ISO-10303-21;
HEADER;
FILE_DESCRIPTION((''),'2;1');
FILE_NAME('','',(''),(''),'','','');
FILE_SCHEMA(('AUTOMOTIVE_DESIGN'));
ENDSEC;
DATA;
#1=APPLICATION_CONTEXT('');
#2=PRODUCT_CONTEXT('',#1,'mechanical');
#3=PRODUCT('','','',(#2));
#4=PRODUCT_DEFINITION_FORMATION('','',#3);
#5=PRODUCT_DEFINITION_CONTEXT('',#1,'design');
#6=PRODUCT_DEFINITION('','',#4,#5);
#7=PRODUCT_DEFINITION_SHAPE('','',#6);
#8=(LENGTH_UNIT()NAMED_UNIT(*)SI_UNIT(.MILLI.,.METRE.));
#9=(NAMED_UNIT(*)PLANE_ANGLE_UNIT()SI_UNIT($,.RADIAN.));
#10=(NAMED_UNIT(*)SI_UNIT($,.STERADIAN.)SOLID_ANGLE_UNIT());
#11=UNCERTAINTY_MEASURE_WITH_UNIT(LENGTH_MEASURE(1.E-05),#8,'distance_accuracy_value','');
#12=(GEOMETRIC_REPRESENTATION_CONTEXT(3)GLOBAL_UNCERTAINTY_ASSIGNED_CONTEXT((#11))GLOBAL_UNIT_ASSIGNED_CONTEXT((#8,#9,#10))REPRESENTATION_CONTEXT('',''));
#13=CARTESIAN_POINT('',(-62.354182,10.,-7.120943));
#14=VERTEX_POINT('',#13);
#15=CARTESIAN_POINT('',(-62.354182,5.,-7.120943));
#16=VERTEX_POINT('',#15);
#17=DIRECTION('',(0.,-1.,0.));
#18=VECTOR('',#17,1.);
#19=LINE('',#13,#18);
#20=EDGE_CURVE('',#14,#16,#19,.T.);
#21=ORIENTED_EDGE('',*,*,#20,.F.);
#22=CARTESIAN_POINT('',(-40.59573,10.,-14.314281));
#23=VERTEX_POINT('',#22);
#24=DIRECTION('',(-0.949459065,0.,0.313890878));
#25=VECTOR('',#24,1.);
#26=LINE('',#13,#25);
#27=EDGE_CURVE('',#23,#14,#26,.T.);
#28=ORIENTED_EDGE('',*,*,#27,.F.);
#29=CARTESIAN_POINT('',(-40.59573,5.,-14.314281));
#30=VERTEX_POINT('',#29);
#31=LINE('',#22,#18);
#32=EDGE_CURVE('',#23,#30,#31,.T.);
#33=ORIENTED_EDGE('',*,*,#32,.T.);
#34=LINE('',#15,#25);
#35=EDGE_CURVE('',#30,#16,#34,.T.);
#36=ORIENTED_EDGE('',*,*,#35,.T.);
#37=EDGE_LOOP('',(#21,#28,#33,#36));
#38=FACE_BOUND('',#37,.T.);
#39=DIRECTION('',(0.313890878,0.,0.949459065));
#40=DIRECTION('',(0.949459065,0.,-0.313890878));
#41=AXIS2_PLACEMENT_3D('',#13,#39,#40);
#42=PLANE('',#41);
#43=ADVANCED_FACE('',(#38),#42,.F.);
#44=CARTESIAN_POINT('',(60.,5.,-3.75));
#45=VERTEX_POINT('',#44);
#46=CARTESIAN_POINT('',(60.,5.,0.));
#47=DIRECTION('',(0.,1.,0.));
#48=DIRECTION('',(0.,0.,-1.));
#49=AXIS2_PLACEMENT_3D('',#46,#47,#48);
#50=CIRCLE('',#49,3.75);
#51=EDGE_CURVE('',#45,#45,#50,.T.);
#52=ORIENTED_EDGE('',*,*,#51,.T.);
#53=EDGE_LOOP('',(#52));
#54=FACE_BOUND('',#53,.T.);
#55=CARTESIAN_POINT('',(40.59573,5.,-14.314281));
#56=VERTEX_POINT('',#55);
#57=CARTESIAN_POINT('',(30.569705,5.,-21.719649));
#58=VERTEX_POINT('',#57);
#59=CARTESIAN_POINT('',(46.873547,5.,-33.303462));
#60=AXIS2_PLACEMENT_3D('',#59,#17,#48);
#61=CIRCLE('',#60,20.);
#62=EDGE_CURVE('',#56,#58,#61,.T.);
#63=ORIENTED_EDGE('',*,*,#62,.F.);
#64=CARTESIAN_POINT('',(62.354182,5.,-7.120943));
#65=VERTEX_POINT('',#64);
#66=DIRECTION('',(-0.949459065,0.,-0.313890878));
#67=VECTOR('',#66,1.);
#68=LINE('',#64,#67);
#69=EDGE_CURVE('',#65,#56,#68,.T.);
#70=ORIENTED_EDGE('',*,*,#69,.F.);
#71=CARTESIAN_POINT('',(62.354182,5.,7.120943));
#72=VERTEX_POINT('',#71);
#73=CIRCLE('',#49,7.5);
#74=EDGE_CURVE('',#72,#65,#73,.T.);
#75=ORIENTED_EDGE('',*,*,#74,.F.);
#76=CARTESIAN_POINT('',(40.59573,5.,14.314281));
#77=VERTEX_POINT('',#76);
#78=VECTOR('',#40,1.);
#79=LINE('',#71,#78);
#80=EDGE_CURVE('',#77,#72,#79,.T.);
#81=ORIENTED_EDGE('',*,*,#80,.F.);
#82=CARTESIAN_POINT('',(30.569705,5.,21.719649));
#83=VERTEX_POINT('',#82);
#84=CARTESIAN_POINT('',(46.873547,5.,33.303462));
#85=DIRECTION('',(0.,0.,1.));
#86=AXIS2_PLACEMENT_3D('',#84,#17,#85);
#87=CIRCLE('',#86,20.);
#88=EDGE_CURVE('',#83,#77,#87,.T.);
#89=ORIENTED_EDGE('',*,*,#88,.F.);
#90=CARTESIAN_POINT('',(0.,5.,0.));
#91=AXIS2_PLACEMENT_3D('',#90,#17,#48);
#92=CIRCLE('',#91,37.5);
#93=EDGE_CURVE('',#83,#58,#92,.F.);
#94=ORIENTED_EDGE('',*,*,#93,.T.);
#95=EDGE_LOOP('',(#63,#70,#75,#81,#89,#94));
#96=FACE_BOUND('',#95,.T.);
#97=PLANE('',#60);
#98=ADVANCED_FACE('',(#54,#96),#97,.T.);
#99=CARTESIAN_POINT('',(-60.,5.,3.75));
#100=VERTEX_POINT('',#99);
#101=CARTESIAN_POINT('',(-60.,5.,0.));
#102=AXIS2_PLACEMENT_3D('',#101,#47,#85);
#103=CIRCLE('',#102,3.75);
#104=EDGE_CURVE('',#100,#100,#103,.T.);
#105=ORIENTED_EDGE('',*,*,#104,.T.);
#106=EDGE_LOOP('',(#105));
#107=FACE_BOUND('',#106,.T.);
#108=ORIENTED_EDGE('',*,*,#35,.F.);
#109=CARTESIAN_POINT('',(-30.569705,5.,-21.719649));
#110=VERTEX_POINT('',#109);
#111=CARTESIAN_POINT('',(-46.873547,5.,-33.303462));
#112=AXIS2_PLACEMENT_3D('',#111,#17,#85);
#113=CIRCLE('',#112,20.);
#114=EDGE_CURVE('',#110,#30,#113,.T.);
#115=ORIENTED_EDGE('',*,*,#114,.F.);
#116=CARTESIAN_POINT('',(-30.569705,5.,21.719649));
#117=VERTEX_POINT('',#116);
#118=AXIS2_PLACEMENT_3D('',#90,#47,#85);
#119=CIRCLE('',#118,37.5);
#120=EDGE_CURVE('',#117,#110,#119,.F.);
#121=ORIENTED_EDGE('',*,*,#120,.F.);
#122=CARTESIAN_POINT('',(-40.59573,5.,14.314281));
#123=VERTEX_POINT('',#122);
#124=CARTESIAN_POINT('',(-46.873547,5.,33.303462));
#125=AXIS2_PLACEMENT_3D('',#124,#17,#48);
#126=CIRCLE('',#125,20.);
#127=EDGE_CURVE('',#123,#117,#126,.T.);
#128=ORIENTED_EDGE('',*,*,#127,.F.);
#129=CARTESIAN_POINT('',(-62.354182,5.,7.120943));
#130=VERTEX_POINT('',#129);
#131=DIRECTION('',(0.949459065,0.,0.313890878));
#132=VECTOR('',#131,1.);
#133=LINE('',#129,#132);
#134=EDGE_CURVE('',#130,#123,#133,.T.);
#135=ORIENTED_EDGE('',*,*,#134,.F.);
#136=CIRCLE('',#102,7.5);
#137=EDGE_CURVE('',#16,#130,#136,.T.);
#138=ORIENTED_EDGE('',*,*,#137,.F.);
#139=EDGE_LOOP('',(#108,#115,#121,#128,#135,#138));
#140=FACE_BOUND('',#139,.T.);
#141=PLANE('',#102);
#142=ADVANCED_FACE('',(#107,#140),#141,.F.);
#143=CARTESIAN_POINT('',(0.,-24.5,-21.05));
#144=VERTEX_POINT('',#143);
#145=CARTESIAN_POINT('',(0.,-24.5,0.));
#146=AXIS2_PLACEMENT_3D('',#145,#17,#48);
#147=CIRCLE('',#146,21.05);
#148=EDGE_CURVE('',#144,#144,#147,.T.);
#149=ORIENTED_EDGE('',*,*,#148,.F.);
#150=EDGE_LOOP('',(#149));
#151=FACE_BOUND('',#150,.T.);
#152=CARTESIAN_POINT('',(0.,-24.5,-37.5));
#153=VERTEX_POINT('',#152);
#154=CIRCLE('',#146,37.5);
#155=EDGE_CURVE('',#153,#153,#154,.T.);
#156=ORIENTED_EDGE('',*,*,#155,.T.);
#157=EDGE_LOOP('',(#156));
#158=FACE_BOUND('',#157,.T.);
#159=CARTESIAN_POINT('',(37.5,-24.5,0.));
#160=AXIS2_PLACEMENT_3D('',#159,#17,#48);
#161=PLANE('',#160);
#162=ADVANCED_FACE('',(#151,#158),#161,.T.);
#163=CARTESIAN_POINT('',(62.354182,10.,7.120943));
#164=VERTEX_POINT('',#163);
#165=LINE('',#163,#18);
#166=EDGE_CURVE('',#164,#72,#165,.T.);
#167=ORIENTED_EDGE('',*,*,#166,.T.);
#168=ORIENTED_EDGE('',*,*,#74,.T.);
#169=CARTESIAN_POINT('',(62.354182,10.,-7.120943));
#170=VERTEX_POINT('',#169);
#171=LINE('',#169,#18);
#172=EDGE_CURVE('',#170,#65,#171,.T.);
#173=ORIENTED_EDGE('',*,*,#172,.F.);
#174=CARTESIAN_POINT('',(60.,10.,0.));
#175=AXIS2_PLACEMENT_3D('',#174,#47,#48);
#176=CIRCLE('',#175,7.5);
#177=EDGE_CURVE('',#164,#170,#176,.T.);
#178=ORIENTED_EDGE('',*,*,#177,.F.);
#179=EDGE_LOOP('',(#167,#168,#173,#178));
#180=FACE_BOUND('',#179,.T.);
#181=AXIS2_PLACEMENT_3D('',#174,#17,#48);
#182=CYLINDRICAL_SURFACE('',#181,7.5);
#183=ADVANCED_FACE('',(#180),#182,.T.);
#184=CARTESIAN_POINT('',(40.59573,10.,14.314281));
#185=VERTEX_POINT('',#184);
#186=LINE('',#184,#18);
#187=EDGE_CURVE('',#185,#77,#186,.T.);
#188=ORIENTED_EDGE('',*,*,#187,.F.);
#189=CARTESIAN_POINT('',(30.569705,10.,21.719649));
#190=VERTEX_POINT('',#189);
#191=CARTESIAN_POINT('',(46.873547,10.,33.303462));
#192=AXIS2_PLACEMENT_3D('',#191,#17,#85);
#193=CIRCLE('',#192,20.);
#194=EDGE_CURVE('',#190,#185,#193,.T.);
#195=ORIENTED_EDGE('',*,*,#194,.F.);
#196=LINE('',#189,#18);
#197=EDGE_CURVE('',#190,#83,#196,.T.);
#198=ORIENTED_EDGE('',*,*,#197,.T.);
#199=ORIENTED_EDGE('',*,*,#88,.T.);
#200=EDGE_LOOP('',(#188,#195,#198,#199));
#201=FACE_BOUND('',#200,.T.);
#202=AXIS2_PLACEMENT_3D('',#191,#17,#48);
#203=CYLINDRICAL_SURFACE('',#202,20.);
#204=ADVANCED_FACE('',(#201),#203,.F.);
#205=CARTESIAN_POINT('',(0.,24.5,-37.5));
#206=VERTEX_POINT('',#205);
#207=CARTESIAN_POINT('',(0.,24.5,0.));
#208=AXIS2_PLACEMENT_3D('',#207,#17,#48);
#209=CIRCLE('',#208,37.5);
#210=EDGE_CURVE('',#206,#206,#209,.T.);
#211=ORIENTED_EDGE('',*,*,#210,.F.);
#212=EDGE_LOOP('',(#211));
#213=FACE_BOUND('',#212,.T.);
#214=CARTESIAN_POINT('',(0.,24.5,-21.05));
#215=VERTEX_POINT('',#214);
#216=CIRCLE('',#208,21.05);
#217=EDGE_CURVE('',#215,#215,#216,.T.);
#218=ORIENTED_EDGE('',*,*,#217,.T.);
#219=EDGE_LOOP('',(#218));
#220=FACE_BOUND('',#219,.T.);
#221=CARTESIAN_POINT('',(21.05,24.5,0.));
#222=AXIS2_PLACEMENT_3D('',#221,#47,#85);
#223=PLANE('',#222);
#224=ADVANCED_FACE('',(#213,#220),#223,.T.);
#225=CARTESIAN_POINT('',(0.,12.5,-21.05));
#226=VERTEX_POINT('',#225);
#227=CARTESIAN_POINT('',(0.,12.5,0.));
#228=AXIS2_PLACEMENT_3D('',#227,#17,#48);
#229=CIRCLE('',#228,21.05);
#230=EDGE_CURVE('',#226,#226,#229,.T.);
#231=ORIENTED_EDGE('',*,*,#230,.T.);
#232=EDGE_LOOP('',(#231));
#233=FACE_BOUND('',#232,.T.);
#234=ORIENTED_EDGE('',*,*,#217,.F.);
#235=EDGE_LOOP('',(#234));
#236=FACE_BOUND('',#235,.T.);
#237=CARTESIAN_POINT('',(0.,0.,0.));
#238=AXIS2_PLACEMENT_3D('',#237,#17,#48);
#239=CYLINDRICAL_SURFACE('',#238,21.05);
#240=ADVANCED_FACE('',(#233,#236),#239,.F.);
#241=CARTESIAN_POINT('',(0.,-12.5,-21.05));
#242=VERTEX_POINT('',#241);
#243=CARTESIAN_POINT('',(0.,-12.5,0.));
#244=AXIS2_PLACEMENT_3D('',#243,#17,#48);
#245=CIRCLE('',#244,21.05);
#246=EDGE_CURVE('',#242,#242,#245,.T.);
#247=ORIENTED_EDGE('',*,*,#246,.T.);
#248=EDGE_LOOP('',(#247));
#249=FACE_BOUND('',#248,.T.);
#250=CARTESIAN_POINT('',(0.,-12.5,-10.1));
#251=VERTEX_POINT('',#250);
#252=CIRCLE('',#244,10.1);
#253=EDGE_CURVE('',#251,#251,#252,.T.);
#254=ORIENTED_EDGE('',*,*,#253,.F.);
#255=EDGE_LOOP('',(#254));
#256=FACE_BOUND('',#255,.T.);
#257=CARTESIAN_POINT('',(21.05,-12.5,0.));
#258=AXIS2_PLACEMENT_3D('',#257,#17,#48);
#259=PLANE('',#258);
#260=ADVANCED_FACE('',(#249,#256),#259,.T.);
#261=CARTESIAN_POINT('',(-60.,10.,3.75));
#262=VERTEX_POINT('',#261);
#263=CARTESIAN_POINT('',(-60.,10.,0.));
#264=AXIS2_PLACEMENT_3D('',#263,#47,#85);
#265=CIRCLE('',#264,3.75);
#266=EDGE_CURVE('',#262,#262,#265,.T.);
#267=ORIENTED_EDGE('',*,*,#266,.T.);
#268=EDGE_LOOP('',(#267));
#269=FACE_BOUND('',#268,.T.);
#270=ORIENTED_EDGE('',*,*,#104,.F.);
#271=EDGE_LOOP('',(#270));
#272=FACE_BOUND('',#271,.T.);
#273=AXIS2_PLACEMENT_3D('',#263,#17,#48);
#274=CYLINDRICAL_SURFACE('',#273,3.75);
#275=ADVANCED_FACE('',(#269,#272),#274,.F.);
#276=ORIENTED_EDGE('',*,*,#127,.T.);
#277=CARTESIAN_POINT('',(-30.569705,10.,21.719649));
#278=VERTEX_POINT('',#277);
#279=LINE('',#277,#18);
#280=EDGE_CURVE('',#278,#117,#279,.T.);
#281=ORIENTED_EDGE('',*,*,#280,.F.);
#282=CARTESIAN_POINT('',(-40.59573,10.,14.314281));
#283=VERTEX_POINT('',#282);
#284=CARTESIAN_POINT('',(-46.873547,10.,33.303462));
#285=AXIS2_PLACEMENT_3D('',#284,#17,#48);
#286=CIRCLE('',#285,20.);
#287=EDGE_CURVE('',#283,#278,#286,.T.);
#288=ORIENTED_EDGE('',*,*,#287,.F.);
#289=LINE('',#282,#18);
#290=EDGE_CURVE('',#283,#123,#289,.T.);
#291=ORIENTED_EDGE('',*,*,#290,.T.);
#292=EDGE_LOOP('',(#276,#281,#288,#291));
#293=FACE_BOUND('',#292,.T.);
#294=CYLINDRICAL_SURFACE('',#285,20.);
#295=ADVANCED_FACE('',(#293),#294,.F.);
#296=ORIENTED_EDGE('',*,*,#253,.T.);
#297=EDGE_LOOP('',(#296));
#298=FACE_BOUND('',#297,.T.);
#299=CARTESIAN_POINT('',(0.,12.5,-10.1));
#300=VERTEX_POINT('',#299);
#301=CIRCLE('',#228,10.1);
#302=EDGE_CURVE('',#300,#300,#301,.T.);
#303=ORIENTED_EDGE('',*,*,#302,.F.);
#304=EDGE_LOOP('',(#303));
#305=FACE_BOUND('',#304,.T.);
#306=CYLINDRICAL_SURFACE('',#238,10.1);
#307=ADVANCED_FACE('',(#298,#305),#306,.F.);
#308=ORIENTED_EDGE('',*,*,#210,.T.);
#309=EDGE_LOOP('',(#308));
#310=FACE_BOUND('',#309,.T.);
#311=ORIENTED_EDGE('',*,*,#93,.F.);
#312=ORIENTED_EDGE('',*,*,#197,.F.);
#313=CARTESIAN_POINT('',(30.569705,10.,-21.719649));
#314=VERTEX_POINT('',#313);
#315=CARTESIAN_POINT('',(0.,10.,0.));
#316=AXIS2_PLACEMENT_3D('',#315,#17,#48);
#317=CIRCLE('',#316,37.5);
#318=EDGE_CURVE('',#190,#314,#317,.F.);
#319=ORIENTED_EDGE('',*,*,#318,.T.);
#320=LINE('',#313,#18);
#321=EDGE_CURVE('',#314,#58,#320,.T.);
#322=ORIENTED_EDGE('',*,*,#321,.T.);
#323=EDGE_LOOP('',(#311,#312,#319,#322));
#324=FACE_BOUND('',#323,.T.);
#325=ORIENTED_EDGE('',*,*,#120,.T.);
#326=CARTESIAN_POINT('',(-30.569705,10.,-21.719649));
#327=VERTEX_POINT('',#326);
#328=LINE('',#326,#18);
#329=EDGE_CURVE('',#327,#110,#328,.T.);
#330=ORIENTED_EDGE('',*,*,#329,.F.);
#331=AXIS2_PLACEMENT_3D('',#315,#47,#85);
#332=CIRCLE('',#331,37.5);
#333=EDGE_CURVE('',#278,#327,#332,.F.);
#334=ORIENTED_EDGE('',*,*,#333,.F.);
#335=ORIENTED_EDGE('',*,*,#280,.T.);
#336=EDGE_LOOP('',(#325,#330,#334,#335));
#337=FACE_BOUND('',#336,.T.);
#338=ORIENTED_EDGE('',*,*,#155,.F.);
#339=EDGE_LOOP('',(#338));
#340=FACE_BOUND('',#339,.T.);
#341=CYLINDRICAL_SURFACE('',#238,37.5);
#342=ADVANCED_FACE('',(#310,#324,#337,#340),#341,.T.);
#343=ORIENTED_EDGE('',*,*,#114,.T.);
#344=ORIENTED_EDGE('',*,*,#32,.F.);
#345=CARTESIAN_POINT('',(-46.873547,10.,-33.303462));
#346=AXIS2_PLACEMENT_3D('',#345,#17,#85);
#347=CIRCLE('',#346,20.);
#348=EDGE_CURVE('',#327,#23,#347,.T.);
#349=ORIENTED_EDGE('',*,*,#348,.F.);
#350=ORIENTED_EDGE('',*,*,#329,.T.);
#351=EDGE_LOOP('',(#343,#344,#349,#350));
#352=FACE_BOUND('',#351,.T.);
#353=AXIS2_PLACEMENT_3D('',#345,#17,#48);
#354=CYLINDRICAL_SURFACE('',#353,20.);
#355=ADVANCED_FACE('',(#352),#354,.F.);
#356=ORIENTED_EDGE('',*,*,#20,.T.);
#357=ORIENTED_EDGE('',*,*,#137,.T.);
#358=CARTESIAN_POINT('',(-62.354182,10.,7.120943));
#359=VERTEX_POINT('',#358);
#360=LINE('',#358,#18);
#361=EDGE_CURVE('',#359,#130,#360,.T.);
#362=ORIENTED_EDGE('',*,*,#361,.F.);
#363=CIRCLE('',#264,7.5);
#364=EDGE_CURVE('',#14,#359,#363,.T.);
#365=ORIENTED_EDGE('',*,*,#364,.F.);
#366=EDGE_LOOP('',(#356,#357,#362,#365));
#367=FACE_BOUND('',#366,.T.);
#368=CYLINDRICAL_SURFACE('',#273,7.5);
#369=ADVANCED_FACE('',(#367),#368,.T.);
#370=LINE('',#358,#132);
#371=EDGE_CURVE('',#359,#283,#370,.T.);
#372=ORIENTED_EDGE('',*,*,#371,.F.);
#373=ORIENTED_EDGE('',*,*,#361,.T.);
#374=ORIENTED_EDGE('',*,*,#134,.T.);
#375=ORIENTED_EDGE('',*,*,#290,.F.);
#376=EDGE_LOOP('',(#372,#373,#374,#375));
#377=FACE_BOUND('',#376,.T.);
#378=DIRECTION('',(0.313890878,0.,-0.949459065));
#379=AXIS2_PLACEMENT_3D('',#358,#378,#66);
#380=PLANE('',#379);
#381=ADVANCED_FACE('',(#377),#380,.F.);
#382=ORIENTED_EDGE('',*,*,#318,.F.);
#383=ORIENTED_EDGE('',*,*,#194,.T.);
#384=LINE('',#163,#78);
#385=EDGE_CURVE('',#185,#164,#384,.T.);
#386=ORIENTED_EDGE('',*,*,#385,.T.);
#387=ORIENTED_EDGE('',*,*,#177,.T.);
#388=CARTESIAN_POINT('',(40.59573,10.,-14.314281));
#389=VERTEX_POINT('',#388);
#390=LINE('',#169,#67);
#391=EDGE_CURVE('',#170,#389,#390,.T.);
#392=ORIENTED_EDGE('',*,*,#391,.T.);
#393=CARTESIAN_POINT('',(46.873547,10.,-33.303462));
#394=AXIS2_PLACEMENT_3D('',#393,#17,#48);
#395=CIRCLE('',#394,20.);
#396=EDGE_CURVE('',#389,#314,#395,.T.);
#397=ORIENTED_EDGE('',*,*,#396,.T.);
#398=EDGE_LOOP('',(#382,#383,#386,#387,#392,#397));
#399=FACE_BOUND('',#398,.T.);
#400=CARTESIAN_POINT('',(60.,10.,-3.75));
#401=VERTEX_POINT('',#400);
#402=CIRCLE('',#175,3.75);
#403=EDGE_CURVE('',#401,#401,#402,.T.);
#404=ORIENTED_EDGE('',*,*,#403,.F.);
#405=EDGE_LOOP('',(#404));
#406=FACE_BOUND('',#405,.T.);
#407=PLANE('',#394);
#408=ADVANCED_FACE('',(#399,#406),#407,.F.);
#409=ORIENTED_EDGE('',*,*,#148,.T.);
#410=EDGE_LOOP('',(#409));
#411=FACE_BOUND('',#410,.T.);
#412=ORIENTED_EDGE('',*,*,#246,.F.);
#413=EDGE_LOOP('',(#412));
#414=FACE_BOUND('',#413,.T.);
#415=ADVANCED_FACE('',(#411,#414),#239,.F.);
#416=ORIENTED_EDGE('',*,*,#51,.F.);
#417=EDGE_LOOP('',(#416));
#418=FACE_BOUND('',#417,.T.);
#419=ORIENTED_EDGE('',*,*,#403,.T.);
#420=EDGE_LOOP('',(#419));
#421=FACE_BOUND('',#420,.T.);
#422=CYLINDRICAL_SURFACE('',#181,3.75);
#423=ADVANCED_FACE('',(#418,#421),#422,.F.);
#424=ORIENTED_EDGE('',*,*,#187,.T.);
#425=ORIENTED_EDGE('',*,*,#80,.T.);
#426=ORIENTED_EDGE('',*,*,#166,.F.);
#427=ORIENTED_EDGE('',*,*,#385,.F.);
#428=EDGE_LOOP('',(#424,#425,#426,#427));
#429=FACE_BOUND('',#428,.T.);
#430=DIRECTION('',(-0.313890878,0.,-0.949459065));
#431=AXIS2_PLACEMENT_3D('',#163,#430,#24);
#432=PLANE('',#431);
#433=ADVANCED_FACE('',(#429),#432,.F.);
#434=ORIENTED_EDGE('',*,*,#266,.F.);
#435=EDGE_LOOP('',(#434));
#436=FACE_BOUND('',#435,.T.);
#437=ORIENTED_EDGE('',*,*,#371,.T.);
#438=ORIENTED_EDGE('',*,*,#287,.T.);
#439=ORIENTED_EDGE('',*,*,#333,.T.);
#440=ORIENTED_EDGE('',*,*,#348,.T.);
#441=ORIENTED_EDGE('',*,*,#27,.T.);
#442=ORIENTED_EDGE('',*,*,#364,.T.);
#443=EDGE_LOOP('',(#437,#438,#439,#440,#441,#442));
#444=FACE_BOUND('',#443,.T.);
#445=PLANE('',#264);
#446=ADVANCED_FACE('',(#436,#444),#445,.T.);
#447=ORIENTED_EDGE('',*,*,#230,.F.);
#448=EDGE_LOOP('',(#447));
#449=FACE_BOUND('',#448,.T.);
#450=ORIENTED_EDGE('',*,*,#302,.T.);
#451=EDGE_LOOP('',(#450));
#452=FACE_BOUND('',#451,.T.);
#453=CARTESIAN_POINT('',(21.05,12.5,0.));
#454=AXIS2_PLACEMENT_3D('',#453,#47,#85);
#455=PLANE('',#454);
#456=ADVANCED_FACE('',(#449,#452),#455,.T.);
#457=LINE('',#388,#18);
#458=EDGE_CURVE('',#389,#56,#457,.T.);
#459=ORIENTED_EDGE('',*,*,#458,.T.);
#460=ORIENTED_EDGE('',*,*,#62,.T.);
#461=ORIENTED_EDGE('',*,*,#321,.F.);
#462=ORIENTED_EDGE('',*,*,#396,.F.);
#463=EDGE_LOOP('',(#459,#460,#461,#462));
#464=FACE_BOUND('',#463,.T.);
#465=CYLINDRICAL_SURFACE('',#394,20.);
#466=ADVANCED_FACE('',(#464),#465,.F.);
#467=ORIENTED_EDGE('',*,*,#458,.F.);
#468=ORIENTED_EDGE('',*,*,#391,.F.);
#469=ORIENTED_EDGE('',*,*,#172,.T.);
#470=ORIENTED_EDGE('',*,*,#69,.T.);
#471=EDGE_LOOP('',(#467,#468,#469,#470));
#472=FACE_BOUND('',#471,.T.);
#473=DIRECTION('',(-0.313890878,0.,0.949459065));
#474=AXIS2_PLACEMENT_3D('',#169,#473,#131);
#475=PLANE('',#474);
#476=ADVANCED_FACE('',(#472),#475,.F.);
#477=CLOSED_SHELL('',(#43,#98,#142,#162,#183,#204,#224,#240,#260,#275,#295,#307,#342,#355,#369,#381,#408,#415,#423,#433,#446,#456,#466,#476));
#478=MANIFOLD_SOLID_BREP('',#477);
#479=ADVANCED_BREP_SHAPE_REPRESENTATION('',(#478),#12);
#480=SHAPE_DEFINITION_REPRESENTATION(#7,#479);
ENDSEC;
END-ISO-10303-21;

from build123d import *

# Parameters (mm, degrees)
BOSS_EXTRUDE1_START = 5
SKETCH2_R           = 3.75
BOSS_EXTRUDE1_DEPTH = 5


with BuildPart() as part:
    # Sketch1 → Revolve1 (revolve)
    with BuildSketch(Plane.XY, mode=Mode.PRIVATE) as revolve1_sk:
        Polygon((21.05, 24.5), (37.5, 24.5), (37.5, -24.5), (21.05, -24.5), (21.05, -12.5), (10.1, -12.5), (10.1, 12.5), (21.05, 12.5), align=None)
    revolve(revolve1_sk.sketch.rotate(Axis((0, 0, 0), (0, 1, 0)), 90), axis=Axis((0, 0, 0), (0, 1, 0)))

    # Sketch2 → Boss-Extrude1 (add)
    # profile 1 of 2: a face of its own
    with BuildSketch(Plane(origin=(0, 0, 0), x_dir=(1, 0, 0), z_dir=(0, 1, 0)).offset(BOSS_EXTRUDE1_START)):
        with BuildLine():
            Line((-62.354181584, 7.12094299), (-40.595729635, 14.314280578))
            ThreePointArc((-40.595729635, 14.314280578), (-34.991093182, 17.215973372), (-30.569704691, 21.719649056))
            Line((-30.569704691, 21.719649056), (-30.569704691, -21.719649056))
            ThreePointArc((-30.569704691, -21.719649056), (-34.991093182, -17.215973372), (-40.595729635, -14.314280578))
            Line((-40.595729635, -14.314280578), (-62.354181584, -7.12094299))
            ThreePointArc((-62.354181584, -7.12094299), (-67.5, 0), (-62.354181584, 7.12094299))
        make_face()
        with Locations(Location((-60, 0, 0), (0, 0, 270))):
            Circle(SKETCH2_R, mode=Mode.SUBTRACT)
    # profile 2 of 2: a face of its own
    with BuildSketch(Plane(origin=(0, 0, 0), x_dir=(1, 0, 0), z_dir=(0, 1, 0)).offset(BOSS_EXTRUDE1_START)):
        with BuildLine():
            Line((30.569704691, 21.719649056), (30.569704691, -21.719649056))
            ThreePointArc((30.569704691, -21.719649056), (34.991093182, -17.215973372), (40.595729635, -14.314280578))
            Line((40.595729635, -14.314280578), (62.354181584, -7.12094299))
            ThreePointArc((62.354181584, -7.12094299), (67.5, 0), (62.354181584, 7.12094299))
            Line((62.354181584, 7.12094299), (40.595729635, 14.314280578))
            ThreePointArc((40.595729635, 14.314280578), (34.991093182, 17.215973372), (30.569704691, 21.719649056))
        make_face()
        with Locations(Location((60, 0, 0), (0, 0, 90))):
            Circle(SKETCH2_R, mode=Mode.SUBTRACT)
    extrude(amount=BOSS_EXTRUDE1_DEPTH)


solid = part.part
